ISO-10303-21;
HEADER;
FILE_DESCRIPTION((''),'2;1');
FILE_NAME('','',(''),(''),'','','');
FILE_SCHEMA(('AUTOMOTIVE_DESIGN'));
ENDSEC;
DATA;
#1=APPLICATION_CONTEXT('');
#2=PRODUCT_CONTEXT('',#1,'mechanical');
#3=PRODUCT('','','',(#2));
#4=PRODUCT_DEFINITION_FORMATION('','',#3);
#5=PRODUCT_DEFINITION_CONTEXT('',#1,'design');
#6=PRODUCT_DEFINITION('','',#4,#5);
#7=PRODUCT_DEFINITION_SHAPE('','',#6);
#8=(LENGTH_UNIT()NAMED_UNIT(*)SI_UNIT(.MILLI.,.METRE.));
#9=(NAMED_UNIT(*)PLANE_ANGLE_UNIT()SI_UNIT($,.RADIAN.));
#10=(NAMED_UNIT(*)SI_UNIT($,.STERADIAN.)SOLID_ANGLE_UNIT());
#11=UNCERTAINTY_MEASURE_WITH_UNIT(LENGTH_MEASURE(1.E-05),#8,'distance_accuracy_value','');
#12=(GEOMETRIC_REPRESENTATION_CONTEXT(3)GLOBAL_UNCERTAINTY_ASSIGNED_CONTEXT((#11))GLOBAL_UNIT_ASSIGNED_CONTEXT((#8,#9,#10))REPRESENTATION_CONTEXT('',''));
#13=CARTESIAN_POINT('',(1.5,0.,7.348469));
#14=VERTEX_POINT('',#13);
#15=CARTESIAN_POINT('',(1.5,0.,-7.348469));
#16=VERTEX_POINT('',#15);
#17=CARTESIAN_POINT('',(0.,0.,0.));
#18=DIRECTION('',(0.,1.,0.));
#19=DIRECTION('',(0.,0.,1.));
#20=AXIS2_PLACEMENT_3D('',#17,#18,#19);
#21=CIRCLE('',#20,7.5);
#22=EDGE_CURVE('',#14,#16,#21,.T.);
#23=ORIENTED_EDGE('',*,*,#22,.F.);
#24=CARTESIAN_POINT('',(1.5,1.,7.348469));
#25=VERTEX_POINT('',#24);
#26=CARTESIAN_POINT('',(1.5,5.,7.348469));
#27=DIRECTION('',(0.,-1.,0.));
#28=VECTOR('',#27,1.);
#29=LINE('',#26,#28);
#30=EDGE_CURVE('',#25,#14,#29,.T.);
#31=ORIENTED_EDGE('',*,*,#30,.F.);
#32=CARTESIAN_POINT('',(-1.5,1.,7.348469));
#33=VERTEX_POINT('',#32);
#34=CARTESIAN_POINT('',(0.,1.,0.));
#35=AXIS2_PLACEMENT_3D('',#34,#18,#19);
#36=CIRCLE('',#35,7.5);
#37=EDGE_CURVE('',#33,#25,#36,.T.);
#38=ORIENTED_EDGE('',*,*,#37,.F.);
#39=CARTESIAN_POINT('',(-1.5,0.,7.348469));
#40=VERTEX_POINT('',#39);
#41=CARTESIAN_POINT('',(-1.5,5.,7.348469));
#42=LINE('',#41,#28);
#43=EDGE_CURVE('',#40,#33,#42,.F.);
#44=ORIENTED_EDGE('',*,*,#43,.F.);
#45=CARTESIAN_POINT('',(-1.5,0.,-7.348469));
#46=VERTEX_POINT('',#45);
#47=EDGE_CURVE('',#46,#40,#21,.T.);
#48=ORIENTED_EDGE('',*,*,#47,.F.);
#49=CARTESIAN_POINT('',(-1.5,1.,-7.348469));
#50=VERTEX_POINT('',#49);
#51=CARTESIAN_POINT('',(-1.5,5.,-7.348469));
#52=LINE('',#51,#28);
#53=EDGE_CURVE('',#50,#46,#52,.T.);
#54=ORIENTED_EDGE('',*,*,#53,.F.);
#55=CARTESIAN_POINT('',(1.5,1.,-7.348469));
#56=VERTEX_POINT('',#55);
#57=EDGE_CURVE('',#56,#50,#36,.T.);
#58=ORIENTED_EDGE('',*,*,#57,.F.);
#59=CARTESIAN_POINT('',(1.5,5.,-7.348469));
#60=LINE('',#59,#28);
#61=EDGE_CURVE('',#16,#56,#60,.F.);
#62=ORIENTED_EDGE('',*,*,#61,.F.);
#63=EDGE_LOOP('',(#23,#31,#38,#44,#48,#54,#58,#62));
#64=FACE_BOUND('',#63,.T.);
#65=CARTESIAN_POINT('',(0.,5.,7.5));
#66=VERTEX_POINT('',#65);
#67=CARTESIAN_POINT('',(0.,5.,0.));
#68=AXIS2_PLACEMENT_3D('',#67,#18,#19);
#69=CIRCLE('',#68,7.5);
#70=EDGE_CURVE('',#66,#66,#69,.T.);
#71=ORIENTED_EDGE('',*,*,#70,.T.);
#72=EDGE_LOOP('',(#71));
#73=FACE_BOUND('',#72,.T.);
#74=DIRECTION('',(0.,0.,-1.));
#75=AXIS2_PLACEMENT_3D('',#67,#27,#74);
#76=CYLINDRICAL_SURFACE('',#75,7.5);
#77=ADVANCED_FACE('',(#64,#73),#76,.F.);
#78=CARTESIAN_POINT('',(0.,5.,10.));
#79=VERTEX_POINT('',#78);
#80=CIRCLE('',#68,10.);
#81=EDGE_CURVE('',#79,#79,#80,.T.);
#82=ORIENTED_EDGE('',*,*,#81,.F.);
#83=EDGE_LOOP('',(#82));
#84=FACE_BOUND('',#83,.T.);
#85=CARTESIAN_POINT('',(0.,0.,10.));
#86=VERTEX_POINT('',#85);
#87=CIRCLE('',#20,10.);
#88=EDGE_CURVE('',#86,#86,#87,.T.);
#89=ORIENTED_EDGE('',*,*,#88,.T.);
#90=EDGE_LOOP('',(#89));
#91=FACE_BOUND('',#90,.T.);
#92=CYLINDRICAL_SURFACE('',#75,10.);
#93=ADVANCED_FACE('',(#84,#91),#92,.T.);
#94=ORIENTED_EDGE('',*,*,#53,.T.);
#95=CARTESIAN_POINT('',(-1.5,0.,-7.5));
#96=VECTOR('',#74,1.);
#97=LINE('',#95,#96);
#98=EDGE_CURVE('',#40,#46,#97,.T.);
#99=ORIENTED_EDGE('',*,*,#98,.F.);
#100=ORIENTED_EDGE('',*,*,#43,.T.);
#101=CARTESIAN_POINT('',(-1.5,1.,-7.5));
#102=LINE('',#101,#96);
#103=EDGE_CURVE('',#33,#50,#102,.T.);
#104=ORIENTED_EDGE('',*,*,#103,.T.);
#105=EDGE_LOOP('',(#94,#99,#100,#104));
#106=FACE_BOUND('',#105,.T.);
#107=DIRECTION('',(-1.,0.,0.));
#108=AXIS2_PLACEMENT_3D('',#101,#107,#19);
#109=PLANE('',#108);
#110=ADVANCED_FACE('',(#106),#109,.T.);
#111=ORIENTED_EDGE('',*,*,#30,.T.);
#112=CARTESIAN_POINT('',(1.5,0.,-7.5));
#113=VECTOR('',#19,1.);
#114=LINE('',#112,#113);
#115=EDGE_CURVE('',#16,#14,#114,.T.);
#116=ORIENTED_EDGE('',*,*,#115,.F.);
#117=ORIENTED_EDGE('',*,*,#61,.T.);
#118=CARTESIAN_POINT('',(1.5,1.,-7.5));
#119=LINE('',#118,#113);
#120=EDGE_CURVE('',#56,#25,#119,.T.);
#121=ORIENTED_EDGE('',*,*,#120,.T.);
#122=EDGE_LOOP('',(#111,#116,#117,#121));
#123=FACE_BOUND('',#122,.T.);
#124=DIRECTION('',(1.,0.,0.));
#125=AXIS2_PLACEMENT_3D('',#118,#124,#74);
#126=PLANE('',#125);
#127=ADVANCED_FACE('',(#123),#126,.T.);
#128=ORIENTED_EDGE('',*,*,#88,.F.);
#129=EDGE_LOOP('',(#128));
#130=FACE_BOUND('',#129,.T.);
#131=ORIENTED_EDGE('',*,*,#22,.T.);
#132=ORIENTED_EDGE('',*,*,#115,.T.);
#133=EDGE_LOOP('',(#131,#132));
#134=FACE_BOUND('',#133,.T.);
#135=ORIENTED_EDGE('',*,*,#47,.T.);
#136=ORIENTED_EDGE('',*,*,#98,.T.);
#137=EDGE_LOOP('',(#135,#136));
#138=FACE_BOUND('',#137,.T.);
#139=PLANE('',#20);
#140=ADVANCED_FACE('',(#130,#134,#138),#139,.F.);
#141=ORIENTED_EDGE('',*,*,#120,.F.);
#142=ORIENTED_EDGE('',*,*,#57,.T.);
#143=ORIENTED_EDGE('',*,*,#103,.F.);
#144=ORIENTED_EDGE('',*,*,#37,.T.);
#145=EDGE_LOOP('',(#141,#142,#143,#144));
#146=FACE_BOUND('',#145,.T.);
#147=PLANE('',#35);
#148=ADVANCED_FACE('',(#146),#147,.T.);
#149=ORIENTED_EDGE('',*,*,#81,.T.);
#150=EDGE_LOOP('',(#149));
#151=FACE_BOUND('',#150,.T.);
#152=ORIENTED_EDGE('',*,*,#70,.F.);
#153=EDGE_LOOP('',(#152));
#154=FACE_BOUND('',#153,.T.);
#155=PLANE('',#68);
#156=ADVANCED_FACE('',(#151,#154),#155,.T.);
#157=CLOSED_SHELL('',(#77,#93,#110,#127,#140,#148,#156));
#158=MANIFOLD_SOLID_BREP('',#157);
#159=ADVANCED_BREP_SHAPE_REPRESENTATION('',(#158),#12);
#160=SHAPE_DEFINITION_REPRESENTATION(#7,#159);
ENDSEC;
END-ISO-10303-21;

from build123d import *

# Parameters (mm, degrees)
SKETCH1_R           = 10
SKETCH1_R_2         = 7.5
BOSS_EXTRUDE1_DEPTH = 5
SKETCH2_W           = 3
SKETCH2_H           = 15
BOSS_EXTRUDE2_DEPTH = 1


with BuildPart() as part:
    # Sketch1 → Boss-Extrude1 (new body)
    with BuildSketch(Plane(origin=(0, 0, 0), x_dir=(1, 0, 0), z_dir=(0, 1, 0))):
        with Locations(Location((0, 0, 0), (0, 0, 270))):
            Circle(SKETCH1_R)
        with Locations(Location((0, 0, 0), (0, 0, 270))):
            Circle(SKETCH1_R_2, mode=Mode.SUBTRACT)
    extrude(amount=BOSS_EXTRUDE1_DEPTH)

    # Sketch2 → Boss-Extrude2 (add)
    with BuildSketch(Plane.XZ):
        Rectangle(SKETCH2_W, SKETCH2_H)
    extrude(amount=-BOSS_EXTRUDE2_DEPTH)


solid = part.part
